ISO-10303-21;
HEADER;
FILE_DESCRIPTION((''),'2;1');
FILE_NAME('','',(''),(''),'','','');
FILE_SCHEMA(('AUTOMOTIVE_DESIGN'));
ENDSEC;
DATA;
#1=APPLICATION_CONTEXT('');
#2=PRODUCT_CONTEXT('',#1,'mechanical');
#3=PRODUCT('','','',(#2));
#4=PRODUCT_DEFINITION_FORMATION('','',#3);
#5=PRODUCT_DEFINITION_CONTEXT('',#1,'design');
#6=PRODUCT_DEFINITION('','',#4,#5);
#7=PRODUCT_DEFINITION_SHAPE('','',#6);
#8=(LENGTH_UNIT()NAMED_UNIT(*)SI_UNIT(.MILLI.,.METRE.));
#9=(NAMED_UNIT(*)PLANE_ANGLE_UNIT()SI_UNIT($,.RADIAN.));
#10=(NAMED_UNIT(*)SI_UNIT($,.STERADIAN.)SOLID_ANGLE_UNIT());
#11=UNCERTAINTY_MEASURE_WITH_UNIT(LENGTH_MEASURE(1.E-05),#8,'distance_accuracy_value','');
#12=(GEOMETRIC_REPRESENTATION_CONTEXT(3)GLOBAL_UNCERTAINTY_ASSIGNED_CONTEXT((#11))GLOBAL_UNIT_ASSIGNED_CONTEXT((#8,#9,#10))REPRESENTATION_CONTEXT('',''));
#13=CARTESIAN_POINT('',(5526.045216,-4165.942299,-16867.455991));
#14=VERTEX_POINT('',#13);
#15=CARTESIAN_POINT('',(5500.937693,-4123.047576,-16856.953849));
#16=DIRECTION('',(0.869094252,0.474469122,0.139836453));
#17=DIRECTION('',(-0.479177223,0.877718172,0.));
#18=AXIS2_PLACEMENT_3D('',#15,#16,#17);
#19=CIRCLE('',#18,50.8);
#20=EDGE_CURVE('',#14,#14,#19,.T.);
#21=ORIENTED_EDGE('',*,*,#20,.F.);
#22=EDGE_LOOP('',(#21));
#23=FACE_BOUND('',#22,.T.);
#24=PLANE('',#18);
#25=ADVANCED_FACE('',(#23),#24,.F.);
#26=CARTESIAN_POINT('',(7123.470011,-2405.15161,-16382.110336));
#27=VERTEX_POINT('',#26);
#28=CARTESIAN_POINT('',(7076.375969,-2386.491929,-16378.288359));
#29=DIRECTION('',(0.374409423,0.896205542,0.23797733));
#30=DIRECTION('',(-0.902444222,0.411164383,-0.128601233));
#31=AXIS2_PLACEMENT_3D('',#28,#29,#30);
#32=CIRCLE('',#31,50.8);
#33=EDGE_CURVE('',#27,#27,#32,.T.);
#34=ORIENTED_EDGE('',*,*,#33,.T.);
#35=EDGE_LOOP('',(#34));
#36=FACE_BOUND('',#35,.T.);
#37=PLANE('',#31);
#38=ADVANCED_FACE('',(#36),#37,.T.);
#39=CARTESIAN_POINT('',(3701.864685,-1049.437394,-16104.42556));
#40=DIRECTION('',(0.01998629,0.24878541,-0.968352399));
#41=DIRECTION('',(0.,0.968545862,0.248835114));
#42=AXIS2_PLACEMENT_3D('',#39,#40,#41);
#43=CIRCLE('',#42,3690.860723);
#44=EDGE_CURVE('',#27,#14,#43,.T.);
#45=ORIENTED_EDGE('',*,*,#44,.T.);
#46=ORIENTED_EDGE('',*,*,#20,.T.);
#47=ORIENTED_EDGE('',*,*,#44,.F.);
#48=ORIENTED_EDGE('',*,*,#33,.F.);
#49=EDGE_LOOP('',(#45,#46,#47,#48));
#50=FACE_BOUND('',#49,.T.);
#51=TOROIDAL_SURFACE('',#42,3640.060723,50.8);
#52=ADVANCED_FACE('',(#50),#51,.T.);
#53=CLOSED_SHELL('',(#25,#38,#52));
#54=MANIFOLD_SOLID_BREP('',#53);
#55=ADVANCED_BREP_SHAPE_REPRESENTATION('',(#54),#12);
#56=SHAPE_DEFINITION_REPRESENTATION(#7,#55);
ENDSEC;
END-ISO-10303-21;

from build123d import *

# Parameters (mm, degrees)
SKETCH3_R = 50.8


with BuildPart() as part:
    # Sweep1: sweep along a path in Sketch2
    with BuildLine(Plane(origin=(307.94198629, 3833.201247056, -14920.045438067), x_dir=(0.9998002541486077, -0.004973290849111862, 0.01935763886711292), z_dir=(-0.019986290410664517, -0.24878541003506124, 0.9683523986386914))) as sweep1_path:
        ThreePointArc((5194.033193265, -8187.962696604), (6134.145642501, -7420.634399311), (6769.786218971, -6386.920129998))
    # Sketch3 → Sweep1 (sweep)
    with BuildSketch(Plane(origin=(406.178088442, 221.746905288, 65.353675045), x_dir=(0.12273699623896678, 0.06700644336738666, -0.9901746140461738), z_dir=(0.869094252093991, 0.4744691215228611, 0.13983645339649795))):
        with Locations((17090.225586253, -6254.797826761)):
            Circle(SKETCH3_R)
    sweep(path=sweep1_path.line)


solid = part.part
